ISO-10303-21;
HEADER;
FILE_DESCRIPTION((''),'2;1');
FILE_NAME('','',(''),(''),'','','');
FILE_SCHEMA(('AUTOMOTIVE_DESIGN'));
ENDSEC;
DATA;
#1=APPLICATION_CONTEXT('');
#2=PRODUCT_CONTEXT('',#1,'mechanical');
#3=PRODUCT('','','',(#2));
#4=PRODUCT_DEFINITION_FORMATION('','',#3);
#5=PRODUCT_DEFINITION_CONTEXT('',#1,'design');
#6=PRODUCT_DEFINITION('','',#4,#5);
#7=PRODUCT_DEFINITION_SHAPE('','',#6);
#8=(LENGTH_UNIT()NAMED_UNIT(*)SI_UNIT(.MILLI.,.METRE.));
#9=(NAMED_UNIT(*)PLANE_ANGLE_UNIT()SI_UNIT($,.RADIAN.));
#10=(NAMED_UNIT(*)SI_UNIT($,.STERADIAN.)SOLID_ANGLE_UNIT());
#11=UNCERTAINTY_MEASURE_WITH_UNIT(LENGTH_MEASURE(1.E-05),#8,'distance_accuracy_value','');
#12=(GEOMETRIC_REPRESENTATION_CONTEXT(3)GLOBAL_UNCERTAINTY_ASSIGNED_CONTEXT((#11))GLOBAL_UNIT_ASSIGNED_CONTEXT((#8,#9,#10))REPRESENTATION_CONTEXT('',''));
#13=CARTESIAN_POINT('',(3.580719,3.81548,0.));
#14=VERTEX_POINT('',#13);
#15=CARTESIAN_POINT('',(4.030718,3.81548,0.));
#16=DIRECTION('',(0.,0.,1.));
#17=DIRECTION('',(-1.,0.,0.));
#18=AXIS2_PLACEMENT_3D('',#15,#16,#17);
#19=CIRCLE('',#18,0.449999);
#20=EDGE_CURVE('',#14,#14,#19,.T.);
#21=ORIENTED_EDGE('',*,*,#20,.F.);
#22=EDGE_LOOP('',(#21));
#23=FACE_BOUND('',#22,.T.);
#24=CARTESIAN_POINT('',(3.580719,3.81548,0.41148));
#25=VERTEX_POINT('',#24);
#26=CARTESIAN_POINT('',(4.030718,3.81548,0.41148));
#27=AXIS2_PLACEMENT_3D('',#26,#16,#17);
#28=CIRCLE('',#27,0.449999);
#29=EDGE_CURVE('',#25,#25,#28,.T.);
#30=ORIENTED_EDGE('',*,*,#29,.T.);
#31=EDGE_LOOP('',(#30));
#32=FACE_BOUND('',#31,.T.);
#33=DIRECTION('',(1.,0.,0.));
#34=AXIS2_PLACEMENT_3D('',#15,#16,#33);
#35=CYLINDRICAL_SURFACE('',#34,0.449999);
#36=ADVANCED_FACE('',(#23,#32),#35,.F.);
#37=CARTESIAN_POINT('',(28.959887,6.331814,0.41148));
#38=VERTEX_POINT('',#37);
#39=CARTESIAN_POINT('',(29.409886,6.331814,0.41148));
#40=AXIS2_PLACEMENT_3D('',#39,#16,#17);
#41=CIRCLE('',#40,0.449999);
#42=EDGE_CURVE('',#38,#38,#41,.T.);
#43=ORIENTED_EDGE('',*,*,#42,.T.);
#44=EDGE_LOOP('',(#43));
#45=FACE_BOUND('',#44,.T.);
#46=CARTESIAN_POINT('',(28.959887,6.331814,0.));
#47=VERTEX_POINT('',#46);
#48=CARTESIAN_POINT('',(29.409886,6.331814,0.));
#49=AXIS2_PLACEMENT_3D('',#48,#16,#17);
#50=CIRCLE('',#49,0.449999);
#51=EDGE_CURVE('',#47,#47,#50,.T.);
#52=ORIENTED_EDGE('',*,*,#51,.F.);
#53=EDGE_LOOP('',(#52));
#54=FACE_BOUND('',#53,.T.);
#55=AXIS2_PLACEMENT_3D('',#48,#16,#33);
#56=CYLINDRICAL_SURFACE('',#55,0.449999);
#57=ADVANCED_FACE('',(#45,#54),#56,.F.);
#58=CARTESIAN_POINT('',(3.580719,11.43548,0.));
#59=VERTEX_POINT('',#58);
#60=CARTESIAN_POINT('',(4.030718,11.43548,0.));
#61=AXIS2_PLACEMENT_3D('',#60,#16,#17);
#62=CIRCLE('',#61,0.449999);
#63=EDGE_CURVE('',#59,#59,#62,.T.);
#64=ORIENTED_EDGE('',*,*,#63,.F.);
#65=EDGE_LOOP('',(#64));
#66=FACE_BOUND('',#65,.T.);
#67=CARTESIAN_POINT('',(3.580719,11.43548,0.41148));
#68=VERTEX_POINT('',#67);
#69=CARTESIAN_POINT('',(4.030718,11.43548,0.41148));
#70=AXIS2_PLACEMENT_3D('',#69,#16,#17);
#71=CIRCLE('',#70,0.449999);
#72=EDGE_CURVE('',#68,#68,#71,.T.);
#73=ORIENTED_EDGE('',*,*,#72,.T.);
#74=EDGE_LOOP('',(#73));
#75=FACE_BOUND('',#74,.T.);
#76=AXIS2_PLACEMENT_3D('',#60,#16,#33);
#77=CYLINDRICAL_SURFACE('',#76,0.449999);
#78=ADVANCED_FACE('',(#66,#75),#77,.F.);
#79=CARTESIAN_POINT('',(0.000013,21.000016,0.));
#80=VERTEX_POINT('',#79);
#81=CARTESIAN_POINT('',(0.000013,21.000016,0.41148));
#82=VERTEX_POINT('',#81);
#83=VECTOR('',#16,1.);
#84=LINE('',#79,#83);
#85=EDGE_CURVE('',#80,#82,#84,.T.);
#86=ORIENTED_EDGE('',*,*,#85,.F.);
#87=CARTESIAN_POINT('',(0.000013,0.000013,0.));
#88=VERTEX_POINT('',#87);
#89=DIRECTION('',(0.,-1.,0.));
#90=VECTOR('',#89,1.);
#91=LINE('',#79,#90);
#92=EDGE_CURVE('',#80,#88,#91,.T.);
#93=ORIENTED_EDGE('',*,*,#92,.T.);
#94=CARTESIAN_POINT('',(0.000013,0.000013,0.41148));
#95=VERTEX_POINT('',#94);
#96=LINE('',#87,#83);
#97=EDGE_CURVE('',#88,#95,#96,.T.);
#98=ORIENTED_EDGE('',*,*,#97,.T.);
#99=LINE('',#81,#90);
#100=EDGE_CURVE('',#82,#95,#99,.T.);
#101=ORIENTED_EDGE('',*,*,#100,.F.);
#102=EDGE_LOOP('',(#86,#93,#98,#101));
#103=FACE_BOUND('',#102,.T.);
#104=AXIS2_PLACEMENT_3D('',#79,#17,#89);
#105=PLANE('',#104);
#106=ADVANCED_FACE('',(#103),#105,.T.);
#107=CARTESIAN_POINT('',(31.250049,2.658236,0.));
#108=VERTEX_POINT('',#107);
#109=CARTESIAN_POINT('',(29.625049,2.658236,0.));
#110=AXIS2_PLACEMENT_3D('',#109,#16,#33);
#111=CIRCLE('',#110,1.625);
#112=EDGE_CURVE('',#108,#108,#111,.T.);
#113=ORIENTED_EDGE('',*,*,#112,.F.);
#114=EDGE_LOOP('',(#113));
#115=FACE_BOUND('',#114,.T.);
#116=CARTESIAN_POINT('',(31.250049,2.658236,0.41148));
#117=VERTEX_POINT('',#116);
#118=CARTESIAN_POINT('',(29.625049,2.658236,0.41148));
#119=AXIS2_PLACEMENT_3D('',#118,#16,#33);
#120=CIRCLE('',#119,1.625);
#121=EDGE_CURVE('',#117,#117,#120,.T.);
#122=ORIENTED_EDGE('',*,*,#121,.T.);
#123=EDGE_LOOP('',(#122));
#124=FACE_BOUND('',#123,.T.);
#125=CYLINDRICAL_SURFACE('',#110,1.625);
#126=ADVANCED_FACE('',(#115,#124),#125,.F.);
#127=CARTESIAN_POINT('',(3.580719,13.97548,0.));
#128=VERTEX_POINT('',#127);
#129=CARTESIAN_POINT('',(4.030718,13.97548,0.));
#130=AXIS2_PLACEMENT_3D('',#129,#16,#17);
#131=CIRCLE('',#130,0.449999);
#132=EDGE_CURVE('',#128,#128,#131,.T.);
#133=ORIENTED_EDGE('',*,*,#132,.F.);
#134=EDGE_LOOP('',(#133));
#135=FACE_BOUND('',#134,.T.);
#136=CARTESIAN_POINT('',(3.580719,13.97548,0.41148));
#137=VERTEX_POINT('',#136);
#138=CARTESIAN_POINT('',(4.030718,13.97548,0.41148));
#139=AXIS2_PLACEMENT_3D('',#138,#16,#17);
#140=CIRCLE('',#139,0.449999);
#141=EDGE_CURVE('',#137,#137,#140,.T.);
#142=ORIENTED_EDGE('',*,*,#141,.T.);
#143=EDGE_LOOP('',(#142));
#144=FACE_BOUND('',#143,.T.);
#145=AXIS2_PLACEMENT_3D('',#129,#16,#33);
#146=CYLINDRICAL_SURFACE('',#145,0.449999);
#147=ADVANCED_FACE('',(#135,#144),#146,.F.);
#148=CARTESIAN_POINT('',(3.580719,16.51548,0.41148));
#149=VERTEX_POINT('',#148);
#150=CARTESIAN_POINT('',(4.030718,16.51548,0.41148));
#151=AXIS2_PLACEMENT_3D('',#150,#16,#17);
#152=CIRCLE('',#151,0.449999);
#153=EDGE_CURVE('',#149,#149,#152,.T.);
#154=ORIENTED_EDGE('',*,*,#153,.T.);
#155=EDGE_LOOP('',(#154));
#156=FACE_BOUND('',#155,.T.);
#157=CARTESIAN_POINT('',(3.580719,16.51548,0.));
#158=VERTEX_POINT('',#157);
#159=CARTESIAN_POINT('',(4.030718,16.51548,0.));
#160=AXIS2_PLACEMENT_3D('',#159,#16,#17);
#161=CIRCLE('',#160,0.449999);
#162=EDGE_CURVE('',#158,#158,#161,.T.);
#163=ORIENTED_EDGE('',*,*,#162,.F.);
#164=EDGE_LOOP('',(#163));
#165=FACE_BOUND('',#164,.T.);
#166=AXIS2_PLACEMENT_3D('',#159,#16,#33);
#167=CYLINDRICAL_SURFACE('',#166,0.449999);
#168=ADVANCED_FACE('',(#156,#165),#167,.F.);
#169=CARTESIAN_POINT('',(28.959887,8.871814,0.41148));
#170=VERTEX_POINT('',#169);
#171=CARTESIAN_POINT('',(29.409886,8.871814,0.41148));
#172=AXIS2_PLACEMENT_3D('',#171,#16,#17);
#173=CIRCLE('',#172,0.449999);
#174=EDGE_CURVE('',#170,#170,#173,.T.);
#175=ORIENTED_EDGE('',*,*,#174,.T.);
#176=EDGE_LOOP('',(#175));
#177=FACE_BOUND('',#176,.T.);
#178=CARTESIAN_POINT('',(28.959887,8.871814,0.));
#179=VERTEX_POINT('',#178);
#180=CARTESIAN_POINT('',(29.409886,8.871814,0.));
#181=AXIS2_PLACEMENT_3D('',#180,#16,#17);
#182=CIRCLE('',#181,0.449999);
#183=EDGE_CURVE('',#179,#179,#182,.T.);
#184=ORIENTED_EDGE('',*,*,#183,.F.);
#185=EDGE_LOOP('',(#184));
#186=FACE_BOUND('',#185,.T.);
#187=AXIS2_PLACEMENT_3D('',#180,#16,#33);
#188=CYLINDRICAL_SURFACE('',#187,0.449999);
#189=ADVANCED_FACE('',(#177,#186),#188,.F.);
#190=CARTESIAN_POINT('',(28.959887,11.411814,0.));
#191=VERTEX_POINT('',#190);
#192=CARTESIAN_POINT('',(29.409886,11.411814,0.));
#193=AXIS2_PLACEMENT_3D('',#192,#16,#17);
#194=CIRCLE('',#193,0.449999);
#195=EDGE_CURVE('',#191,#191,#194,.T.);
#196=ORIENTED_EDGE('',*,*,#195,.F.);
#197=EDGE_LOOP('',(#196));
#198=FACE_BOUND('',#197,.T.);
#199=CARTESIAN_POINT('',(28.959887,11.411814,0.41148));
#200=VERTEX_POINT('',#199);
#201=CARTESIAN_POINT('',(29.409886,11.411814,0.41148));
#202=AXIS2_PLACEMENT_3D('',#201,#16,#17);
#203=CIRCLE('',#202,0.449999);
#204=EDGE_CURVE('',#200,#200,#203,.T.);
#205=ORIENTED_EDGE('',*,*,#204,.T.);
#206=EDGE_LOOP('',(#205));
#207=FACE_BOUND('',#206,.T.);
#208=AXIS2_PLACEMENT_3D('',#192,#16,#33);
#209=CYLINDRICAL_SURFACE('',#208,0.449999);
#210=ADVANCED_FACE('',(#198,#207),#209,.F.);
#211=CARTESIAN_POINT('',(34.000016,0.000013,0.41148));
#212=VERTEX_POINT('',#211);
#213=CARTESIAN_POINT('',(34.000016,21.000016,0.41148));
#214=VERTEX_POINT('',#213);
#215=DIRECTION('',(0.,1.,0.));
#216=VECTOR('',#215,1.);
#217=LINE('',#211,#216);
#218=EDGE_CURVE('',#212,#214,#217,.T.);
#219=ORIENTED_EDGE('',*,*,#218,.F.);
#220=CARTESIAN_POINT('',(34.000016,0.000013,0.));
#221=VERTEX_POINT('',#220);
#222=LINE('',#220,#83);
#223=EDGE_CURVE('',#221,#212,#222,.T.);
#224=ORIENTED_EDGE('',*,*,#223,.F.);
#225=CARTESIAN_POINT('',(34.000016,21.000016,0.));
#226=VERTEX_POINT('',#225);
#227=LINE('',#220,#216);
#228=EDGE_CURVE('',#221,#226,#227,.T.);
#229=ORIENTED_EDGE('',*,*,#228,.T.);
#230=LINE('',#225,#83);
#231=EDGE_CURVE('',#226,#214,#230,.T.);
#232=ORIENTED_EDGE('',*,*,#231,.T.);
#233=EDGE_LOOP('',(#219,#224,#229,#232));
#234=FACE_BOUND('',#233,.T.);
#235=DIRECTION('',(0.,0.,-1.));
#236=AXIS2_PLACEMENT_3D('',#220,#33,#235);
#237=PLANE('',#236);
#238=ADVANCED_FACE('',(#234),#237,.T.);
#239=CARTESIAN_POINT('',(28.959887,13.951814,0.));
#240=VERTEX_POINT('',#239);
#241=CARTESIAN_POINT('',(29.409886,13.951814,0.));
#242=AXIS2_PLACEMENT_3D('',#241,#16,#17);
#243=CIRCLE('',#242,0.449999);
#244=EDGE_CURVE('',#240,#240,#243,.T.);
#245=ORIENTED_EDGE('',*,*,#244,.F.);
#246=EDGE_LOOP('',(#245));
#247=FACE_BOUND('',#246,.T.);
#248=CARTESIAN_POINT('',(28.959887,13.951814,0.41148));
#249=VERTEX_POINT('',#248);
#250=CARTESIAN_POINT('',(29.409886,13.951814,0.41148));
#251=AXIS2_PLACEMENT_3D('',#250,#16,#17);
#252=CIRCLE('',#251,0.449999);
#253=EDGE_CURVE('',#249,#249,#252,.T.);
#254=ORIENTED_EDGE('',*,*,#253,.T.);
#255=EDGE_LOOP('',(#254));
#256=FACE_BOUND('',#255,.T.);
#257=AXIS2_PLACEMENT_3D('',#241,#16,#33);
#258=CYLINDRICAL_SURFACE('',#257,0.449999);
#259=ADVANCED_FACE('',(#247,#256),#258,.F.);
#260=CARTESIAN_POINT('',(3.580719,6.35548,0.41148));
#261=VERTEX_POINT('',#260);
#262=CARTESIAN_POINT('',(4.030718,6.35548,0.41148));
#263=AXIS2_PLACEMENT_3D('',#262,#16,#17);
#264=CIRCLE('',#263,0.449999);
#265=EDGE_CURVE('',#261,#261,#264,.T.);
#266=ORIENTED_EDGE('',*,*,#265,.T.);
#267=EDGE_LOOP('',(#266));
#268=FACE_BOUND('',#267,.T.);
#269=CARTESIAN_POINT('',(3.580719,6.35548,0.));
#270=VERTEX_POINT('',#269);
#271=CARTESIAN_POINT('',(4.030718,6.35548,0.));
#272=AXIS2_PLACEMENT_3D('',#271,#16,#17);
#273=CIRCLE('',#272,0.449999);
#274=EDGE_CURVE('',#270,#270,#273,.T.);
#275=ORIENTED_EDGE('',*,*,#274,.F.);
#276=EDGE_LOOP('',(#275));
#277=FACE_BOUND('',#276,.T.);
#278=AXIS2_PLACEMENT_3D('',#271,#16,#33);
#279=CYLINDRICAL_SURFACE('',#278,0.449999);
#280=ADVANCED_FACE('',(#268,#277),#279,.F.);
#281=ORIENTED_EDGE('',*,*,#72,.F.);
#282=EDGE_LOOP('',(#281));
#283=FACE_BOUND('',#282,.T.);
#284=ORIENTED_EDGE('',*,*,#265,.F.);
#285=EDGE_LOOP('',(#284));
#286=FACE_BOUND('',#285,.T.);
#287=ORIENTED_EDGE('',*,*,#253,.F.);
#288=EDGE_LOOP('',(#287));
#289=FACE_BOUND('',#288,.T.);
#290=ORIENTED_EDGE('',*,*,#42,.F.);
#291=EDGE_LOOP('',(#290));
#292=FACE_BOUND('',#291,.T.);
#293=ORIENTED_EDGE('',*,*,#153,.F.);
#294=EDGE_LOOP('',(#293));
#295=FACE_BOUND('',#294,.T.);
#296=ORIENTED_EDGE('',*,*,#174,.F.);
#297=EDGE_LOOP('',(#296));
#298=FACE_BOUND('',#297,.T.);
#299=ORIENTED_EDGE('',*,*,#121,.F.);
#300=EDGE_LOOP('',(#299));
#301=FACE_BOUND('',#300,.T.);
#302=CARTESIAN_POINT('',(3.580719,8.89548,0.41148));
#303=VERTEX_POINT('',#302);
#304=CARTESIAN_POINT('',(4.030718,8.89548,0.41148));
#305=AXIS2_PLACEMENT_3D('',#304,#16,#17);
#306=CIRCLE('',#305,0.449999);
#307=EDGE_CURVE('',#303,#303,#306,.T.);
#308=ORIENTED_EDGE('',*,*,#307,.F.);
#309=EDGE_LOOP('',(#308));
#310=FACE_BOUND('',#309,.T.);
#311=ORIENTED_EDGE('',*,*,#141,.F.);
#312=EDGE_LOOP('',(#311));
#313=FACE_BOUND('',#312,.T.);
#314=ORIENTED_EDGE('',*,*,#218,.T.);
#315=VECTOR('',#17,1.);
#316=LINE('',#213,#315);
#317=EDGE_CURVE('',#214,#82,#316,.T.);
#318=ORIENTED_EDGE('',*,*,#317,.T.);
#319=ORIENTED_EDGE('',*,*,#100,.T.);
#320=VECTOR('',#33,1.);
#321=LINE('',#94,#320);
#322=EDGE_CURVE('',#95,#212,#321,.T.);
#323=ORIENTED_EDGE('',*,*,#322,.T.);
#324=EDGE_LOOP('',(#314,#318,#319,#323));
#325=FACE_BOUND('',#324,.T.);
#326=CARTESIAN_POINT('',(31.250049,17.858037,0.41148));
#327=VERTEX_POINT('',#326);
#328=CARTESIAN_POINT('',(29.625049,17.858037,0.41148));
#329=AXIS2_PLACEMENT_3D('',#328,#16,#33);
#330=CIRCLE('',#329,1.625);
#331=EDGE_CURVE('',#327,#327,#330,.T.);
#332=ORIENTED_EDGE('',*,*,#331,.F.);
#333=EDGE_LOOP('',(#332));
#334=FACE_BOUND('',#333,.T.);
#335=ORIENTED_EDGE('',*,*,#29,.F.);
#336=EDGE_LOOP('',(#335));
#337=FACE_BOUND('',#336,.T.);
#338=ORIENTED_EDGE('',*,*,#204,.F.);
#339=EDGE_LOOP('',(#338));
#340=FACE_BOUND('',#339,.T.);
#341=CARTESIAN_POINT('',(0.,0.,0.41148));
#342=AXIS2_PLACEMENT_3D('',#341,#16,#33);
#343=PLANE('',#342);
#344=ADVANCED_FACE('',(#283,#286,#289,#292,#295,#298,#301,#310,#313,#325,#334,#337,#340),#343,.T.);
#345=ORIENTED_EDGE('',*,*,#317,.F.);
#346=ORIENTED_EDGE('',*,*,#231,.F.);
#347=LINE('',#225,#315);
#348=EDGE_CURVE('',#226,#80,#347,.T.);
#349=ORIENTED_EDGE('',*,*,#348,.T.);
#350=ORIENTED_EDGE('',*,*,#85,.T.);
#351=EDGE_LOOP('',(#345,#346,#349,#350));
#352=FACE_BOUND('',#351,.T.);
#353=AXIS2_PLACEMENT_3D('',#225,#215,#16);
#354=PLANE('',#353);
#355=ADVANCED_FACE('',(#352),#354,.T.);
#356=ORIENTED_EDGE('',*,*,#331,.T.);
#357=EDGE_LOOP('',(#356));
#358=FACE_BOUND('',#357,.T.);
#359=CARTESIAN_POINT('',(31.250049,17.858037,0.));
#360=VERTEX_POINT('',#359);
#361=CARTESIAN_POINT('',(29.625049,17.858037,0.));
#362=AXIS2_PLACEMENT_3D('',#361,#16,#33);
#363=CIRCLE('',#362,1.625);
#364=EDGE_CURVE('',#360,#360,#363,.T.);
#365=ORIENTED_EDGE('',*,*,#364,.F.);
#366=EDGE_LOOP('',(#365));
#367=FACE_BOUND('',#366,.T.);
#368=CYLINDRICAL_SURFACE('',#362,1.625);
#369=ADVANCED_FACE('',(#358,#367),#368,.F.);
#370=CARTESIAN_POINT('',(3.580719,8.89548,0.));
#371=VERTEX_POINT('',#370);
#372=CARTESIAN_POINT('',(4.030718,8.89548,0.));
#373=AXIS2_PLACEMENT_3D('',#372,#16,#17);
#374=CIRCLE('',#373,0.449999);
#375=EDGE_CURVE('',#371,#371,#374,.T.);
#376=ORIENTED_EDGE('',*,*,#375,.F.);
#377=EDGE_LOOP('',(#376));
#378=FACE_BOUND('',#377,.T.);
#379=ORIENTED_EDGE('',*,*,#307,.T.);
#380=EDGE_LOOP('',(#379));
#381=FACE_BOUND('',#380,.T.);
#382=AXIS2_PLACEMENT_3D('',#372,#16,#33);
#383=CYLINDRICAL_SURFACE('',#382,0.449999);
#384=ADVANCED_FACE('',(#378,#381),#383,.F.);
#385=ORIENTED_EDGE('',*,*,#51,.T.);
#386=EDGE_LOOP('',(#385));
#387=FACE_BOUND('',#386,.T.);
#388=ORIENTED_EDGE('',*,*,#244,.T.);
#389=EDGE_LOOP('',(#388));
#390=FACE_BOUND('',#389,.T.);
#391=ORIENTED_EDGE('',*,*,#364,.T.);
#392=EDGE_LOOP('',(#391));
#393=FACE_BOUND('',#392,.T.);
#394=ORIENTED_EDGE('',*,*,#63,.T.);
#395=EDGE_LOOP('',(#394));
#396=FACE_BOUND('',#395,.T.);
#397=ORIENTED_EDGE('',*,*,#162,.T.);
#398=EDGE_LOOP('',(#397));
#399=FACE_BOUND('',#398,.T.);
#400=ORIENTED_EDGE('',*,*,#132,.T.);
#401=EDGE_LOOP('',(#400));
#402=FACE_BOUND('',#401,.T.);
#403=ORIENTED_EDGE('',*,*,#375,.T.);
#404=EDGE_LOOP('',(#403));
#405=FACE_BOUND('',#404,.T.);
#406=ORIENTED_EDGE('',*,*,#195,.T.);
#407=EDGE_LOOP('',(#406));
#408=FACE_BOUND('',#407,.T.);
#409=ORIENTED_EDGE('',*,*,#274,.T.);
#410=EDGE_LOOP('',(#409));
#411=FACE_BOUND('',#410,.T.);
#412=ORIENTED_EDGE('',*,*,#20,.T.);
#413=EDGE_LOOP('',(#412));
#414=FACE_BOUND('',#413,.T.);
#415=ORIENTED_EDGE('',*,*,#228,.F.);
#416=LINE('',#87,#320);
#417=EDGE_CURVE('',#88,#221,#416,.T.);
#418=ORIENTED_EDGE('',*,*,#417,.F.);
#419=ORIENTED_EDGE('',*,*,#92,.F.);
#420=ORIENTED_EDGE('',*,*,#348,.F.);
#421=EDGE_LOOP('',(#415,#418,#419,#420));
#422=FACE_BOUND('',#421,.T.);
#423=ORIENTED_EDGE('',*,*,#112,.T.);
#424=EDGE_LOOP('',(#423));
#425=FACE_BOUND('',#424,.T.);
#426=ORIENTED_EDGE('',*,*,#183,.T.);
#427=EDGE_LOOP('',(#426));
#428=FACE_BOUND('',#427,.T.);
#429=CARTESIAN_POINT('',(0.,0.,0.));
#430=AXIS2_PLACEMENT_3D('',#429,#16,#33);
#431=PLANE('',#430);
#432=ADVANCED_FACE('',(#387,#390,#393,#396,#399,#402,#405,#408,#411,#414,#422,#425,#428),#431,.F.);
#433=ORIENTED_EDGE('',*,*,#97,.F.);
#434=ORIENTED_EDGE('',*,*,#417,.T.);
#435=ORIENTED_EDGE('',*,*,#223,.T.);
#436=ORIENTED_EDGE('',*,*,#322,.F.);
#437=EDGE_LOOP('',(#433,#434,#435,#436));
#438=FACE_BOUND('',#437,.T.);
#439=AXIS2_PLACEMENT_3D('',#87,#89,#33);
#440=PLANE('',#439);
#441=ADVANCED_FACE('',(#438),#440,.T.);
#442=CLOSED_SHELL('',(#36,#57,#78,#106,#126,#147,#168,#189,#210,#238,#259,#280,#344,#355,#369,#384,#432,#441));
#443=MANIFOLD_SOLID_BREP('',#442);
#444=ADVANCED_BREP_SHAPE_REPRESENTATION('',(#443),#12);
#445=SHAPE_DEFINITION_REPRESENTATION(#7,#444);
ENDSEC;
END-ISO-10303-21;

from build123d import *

# Parameters (mm, degrees)
ESBO_O1_W                = 34.00000312
ESBO_O1_H                = 21.00000372
ESBO_O1_R                = 0.4499991
RESSALTO_EXTRUS_O1_DEPTH = 0.41148
ESBO_O2_R                = 1.625
CORTE_EXTRUS_O1_DEPTH    = 1.41148


with BuildPart() as part:
    # Esboço1 → Ressalto-extrusão1 (new body)
    with BuildSketch(Plane.XY.offset(0.41148)):
        with Locations((17.00001426, 10.50001456)):
            Rectangle(ESBO_O1_W, ESBO_O1_H)
        with Locations((29.409885994, 11.411813558)):
            Circle(ESBO_O1_R, mode=Mode.SUBTRACT)
        with Locations((29.409885994, 8.871813558)):
            Circle(ESBO_O1_R, mode=Mode.SUBTRACT)
        with Locations((29.409885994, 13.951813558)):
            Circle(ESBO_O1_R, mode=Mode.SUBTRACT)
        with Locations((29.409885994, 6.331813558)):
            Circle(ESBO_O1_R, mode=Mode.SUBTRACT)
        with Locations((4.030717622, 3.815479677)):
            Circle(ESBO_O1_R, mode=Mode.SUBTRACT)
        with Locations((4.030717622, 13.975479677)):
            Circle(ESBO_O1_R, mode=Mode.SUBTRACT)
        with Locations((4.030717622, 11.435479677)):
            Circle(ESBO_O1_R, mode=Mode.SUBTRACT)
        with Locations((4.030717622, 16.515479677)):
            Circle(ESBO_O1_R, mode=Mode.SUBTRACT)
        with Locations((4.030717622, 6.355479677)):
            Circle(ESBO_O1_R, mode=Mode.SUBTRACT)
        with Locations((4.030717622, 8.895479677)):
            Circle(ESBO_O1_R, mode=Mode.SUBTRACT)
    extrude(amount=-RESSALTO_EXTRUS_O1_DEPTH)

    # Esboço2 → Corte-extrusão1 (cut, through all)
    with BuildSketch(Plane.XY.offset(0.41148)):
        with Locations((29.625048643, 17.858037309)):
            Circle(ESBO_O2_R)
        with Locations((29.625048643, 2.658236219)):
            Circle(ESBO_O2_R)
    extrude(amount=-CORTE_EXTRUS_O1_DEPTH, mode=Mode.SUBTRACT)


solid = part.part
